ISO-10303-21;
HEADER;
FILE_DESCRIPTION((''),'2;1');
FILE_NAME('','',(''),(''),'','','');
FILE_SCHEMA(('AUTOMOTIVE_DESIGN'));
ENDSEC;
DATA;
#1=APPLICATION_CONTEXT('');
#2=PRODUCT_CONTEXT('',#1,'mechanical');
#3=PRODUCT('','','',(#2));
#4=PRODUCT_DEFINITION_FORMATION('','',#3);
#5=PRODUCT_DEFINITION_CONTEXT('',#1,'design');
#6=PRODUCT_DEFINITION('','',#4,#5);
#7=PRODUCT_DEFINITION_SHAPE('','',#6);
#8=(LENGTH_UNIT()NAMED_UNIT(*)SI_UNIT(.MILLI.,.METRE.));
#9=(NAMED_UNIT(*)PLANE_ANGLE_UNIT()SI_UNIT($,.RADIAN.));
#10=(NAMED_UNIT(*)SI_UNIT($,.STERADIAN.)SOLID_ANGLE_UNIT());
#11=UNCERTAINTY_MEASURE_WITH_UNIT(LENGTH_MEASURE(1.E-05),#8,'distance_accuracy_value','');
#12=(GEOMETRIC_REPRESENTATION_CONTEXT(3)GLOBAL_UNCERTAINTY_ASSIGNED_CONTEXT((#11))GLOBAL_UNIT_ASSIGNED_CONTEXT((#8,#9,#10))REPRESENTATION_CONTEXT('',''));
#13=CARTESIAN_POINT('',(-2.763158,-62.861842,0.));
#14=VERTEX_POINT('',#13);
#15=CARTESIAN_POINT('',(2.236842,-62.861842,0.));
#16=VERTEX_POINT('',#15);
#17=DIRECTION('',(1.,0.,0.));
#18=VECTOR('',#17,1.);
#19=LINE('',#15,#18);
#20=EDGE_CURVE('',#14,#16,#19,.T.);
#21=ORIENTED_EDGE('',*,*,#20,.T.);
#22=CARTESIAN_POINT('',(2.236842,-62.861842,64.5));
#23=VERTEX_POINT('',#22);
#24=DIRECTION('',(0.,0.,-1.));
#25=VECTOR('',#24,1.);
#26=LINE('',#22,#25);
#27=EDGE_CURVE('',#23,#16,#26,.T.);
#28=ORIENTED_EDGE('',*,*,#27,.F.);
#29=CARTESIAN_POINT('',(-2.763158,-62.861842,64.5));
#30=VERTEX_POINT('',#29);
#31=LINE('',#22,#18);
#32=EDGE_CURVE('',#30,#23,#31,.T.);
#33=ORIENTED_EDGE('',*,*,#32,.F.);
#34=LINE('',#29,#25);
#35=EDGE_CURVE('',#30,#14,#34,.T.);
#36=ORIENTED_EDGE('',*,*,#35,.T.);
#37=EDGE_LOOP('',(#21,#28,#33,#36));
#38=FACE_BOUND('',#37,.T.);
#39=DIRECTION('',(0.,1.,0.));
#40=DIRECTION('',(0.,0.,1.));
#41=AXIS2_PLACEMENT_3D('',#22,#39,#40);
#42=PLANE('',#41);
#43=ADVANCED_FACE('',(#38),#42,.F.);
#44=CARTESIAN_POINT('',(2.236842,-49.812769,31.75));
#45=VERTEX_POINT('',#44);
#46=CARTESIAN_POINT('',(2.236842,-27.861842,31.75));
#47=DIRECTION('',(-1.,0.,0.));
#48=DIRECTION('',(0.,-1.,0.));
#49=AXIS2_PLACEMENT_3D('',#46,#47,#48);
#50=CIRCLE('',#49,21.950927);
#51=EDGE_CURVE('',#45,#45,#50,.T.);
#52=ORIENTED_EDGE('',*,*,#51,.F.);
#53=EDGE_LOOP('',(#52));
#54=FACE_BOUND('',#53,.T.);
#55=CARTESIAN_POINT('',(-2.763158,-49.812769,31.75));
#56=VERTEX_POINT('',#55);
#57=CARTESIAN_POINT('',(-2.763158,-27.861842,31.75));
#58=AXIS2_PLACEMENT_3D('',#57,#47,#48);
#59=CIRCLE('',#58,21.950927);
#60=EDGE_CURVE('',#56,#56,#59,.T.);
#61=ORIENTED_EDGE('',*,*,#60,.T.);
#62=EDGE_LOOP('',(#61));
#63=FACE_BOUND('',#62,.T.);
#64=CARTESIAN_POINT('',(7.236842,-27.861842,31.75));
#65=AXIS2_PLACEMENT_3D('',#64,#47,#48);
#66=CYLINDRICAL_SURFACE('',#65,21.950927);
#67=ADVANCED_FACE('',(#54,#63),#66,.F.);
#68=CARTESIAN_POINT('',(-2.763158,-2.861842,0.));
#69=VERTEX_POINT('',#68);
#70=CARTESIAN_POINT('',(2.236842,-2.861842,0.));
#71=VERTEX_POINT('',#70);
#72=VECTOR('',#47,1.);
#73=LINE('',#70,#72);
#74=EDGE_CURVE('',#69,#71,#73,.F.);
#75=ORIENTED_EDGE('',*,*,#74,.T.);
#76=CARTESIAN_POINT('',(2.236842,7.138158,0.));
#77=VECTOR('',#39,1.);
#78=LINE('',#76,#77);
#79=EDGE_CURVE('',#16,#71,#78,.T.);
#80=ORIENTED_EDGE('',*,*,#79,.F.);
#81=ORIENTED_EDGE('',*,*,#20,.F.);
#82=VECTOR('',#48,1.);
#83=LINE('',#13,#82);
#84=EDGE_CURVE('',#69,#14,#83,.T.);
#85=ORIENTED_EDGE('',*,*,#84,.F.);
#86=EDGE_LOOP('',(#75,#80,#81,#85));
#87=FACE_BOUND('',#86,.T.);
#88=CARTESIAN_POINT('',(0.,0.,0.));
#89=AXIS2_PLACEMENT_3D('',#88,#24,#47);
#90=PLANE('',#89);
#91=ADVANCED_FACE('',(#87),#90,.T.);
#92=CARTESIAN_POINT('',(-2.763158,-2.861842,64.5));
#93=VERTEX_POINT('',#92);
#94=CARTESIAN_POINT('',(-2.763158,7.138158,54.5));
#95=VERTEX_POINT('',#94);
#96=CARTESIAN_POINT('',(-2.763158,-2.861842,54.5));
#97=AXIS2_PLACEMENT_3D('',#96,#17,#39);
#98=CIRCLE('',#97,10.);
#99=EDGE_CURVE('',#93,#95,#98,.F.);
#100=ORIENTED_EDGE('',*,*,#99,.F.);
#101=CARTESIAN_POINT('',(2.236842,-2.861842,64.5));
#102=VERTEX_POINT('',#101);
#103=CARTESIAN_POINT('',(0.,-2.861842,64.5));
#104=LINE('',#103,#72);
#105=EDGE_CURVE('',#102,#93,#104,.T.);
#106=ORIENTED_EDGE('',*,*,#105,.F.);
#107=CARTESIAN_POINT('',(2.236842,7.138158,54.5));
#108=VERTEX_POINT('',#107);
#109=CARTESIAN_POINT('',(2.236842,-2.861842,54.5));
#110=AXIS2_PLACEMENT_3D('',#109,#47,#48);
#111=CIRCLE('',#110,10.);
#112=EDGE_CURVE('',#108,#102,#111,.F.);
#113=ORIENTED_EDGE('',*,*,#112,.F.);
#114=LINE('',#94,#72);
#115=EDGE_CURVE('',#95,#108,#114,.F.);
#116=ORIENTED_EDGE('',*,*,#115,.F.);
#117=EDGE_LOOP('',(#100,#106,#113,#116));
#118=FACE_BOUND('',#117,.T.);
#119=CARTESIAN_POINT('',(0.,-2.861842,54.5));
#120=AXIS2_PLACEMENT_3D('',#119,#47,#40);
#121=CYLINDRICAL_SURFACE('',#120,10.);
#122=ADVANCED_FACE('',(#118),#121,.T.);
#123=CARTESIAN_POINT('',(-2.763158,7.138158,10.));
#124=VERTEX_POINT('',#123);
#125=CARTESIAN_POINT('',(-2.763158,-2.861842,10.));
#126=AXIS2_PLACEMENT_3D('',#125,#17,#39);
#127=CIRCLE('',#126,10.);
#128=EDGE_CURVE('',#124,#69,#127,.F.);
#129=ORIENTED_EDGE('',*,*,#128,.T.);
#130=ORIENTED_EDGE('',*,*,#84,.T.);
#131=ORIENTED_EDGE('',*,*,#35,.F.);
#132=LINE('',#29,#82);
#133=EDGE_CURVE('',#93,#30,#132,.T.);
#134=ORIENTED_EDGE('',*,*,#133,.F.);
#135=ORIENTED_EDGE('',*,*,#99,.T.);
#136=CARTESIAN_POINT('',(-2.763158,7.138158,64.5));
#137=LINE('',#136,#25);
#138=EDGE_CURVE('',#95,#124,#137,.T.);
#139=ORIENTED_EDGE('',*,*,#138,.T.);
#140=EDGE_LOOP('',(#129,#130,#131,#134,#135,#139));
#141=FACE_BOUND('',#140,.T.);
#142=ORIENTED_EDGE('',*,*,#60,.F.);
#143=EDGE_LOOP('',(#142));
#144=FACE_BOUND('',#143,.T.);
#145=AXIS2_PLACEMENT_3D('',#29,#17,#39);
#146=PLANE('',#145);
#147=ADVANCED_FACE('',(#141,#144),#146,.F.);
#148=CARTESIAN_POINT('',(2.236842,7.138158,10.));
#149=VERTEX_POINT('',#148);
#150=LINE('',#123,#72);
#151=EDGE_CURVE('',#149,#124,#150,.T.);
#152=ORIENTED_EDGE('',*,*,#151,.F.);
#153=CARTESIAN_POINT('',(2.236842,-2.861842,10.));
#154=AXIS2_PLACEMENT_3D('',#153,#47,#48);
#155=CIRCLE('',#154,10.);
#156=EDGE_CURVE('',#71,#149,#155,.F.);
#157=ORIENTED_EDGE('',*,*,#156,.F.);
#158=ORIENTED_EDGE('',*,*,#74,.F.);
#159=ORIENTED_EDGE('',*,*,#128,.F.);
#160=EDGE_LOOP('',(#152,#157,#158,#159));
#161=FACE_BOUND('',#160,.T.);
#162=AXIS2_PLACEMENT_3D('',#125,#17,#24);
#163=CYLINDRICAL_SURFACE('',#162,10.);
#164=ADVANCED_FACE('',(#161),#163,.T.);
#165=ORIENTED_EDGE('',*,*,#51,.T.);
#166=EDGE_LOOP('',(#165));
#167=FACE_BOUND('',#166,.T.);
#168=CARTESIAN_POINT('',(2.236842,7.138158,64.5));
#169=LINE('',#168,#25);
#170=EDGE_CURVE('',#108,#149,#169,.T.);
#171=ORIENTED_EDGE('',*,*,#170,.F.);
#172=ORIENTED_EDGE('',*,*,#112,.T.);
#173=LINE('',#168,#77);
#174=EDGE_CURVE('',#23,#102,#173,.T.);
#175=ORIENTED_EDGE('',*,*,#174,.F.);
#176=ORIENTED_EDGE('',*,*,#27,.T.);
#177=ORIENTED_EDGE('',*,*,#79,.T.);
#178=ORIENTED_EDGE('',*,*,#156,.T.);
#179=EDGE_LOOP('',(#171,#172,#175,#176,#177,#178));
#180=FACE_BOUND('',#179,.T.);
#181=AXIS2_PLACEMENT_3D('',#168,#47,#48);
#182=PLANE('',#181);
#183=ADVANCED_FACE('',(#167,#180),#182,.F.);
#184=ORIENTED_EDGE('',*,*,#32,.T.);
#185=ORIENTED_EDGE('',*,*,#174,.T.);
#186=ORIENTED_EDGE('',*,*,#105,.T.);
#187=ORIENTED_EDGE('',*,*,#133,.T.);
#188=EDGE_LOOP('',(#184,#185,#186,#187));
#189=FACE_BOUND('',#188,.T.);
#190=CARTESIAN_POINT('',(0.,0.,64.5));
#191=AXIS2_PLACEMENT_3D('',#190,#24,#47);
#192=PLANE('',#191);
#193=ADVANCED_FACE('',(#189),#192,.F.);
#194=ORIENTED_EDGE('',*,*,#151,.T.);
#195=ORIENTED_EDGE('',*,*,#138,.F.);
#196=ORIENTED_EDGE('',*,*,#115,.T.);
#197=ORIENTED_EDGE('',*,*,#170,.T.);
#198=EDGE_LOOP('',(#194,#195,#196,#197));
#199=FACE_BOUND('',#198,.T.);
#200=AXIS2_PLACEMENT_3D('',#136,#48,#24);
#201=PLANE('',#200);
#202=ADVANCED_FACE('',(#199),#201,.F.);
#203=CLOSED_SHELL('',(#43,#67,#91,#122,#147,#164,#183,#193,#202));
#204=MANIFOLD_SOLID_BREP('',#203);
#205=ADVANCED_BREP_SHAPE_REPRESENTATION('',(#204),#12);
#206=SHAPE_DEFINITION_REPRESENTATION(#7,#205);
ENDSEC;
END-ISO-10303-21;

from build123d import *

# Parameters (mm, degrees)
SKETCH4_W           = 5
SKETCH4_H           = 70
BOSS_EXTRUDE1_DEPTH = 64.5
FILLET3_R           = 10
FILLET4_R           = 10
SKETCH5_R           = 21.9509271
CUT_EXTRUDE1_DEPTH  = 10


with BuildPart() as part:
    # Sketch4 → Boss-Extrude1 (new body)
    with BuildSketch(Plane.XY):
        with Locations((-0.263157895, -27.861842105)):
            Rectangle(SKETCH4_W, SKETCH4_H)
    extrude(amount=BOSS_EXTRUDE1_DEPTH)

    # Fillet3
    fillet3_edges = [part.edges().sort_by_distance(p)[0] for p in [
        (-0.263157895, 7.138157895, 64.5),
    ]]
    fillet(fillet3_edges, radius=FILLET3_R)

    # Fillet4
    fillet4_edges = [part.edges().sort_by_distance(p)[0] for p in [
        (-0.263157895, 7.138157895, 0),
    ]]
    fillet(fillet4_edges, radius=FILLET4_R)

    # Sketch5 → Cut-Extrude1 (cut)
    with BuildSketch(Plane.ZY.offset(2.763157895)):
        with Locations((31.75, -27.861842105)):
            Circle(SKETCH5_R)
    extrude(amount=-CUT_EXTRUDE1_DEPTH, mode=Mode.SUBTRACT)


solid = part.part
